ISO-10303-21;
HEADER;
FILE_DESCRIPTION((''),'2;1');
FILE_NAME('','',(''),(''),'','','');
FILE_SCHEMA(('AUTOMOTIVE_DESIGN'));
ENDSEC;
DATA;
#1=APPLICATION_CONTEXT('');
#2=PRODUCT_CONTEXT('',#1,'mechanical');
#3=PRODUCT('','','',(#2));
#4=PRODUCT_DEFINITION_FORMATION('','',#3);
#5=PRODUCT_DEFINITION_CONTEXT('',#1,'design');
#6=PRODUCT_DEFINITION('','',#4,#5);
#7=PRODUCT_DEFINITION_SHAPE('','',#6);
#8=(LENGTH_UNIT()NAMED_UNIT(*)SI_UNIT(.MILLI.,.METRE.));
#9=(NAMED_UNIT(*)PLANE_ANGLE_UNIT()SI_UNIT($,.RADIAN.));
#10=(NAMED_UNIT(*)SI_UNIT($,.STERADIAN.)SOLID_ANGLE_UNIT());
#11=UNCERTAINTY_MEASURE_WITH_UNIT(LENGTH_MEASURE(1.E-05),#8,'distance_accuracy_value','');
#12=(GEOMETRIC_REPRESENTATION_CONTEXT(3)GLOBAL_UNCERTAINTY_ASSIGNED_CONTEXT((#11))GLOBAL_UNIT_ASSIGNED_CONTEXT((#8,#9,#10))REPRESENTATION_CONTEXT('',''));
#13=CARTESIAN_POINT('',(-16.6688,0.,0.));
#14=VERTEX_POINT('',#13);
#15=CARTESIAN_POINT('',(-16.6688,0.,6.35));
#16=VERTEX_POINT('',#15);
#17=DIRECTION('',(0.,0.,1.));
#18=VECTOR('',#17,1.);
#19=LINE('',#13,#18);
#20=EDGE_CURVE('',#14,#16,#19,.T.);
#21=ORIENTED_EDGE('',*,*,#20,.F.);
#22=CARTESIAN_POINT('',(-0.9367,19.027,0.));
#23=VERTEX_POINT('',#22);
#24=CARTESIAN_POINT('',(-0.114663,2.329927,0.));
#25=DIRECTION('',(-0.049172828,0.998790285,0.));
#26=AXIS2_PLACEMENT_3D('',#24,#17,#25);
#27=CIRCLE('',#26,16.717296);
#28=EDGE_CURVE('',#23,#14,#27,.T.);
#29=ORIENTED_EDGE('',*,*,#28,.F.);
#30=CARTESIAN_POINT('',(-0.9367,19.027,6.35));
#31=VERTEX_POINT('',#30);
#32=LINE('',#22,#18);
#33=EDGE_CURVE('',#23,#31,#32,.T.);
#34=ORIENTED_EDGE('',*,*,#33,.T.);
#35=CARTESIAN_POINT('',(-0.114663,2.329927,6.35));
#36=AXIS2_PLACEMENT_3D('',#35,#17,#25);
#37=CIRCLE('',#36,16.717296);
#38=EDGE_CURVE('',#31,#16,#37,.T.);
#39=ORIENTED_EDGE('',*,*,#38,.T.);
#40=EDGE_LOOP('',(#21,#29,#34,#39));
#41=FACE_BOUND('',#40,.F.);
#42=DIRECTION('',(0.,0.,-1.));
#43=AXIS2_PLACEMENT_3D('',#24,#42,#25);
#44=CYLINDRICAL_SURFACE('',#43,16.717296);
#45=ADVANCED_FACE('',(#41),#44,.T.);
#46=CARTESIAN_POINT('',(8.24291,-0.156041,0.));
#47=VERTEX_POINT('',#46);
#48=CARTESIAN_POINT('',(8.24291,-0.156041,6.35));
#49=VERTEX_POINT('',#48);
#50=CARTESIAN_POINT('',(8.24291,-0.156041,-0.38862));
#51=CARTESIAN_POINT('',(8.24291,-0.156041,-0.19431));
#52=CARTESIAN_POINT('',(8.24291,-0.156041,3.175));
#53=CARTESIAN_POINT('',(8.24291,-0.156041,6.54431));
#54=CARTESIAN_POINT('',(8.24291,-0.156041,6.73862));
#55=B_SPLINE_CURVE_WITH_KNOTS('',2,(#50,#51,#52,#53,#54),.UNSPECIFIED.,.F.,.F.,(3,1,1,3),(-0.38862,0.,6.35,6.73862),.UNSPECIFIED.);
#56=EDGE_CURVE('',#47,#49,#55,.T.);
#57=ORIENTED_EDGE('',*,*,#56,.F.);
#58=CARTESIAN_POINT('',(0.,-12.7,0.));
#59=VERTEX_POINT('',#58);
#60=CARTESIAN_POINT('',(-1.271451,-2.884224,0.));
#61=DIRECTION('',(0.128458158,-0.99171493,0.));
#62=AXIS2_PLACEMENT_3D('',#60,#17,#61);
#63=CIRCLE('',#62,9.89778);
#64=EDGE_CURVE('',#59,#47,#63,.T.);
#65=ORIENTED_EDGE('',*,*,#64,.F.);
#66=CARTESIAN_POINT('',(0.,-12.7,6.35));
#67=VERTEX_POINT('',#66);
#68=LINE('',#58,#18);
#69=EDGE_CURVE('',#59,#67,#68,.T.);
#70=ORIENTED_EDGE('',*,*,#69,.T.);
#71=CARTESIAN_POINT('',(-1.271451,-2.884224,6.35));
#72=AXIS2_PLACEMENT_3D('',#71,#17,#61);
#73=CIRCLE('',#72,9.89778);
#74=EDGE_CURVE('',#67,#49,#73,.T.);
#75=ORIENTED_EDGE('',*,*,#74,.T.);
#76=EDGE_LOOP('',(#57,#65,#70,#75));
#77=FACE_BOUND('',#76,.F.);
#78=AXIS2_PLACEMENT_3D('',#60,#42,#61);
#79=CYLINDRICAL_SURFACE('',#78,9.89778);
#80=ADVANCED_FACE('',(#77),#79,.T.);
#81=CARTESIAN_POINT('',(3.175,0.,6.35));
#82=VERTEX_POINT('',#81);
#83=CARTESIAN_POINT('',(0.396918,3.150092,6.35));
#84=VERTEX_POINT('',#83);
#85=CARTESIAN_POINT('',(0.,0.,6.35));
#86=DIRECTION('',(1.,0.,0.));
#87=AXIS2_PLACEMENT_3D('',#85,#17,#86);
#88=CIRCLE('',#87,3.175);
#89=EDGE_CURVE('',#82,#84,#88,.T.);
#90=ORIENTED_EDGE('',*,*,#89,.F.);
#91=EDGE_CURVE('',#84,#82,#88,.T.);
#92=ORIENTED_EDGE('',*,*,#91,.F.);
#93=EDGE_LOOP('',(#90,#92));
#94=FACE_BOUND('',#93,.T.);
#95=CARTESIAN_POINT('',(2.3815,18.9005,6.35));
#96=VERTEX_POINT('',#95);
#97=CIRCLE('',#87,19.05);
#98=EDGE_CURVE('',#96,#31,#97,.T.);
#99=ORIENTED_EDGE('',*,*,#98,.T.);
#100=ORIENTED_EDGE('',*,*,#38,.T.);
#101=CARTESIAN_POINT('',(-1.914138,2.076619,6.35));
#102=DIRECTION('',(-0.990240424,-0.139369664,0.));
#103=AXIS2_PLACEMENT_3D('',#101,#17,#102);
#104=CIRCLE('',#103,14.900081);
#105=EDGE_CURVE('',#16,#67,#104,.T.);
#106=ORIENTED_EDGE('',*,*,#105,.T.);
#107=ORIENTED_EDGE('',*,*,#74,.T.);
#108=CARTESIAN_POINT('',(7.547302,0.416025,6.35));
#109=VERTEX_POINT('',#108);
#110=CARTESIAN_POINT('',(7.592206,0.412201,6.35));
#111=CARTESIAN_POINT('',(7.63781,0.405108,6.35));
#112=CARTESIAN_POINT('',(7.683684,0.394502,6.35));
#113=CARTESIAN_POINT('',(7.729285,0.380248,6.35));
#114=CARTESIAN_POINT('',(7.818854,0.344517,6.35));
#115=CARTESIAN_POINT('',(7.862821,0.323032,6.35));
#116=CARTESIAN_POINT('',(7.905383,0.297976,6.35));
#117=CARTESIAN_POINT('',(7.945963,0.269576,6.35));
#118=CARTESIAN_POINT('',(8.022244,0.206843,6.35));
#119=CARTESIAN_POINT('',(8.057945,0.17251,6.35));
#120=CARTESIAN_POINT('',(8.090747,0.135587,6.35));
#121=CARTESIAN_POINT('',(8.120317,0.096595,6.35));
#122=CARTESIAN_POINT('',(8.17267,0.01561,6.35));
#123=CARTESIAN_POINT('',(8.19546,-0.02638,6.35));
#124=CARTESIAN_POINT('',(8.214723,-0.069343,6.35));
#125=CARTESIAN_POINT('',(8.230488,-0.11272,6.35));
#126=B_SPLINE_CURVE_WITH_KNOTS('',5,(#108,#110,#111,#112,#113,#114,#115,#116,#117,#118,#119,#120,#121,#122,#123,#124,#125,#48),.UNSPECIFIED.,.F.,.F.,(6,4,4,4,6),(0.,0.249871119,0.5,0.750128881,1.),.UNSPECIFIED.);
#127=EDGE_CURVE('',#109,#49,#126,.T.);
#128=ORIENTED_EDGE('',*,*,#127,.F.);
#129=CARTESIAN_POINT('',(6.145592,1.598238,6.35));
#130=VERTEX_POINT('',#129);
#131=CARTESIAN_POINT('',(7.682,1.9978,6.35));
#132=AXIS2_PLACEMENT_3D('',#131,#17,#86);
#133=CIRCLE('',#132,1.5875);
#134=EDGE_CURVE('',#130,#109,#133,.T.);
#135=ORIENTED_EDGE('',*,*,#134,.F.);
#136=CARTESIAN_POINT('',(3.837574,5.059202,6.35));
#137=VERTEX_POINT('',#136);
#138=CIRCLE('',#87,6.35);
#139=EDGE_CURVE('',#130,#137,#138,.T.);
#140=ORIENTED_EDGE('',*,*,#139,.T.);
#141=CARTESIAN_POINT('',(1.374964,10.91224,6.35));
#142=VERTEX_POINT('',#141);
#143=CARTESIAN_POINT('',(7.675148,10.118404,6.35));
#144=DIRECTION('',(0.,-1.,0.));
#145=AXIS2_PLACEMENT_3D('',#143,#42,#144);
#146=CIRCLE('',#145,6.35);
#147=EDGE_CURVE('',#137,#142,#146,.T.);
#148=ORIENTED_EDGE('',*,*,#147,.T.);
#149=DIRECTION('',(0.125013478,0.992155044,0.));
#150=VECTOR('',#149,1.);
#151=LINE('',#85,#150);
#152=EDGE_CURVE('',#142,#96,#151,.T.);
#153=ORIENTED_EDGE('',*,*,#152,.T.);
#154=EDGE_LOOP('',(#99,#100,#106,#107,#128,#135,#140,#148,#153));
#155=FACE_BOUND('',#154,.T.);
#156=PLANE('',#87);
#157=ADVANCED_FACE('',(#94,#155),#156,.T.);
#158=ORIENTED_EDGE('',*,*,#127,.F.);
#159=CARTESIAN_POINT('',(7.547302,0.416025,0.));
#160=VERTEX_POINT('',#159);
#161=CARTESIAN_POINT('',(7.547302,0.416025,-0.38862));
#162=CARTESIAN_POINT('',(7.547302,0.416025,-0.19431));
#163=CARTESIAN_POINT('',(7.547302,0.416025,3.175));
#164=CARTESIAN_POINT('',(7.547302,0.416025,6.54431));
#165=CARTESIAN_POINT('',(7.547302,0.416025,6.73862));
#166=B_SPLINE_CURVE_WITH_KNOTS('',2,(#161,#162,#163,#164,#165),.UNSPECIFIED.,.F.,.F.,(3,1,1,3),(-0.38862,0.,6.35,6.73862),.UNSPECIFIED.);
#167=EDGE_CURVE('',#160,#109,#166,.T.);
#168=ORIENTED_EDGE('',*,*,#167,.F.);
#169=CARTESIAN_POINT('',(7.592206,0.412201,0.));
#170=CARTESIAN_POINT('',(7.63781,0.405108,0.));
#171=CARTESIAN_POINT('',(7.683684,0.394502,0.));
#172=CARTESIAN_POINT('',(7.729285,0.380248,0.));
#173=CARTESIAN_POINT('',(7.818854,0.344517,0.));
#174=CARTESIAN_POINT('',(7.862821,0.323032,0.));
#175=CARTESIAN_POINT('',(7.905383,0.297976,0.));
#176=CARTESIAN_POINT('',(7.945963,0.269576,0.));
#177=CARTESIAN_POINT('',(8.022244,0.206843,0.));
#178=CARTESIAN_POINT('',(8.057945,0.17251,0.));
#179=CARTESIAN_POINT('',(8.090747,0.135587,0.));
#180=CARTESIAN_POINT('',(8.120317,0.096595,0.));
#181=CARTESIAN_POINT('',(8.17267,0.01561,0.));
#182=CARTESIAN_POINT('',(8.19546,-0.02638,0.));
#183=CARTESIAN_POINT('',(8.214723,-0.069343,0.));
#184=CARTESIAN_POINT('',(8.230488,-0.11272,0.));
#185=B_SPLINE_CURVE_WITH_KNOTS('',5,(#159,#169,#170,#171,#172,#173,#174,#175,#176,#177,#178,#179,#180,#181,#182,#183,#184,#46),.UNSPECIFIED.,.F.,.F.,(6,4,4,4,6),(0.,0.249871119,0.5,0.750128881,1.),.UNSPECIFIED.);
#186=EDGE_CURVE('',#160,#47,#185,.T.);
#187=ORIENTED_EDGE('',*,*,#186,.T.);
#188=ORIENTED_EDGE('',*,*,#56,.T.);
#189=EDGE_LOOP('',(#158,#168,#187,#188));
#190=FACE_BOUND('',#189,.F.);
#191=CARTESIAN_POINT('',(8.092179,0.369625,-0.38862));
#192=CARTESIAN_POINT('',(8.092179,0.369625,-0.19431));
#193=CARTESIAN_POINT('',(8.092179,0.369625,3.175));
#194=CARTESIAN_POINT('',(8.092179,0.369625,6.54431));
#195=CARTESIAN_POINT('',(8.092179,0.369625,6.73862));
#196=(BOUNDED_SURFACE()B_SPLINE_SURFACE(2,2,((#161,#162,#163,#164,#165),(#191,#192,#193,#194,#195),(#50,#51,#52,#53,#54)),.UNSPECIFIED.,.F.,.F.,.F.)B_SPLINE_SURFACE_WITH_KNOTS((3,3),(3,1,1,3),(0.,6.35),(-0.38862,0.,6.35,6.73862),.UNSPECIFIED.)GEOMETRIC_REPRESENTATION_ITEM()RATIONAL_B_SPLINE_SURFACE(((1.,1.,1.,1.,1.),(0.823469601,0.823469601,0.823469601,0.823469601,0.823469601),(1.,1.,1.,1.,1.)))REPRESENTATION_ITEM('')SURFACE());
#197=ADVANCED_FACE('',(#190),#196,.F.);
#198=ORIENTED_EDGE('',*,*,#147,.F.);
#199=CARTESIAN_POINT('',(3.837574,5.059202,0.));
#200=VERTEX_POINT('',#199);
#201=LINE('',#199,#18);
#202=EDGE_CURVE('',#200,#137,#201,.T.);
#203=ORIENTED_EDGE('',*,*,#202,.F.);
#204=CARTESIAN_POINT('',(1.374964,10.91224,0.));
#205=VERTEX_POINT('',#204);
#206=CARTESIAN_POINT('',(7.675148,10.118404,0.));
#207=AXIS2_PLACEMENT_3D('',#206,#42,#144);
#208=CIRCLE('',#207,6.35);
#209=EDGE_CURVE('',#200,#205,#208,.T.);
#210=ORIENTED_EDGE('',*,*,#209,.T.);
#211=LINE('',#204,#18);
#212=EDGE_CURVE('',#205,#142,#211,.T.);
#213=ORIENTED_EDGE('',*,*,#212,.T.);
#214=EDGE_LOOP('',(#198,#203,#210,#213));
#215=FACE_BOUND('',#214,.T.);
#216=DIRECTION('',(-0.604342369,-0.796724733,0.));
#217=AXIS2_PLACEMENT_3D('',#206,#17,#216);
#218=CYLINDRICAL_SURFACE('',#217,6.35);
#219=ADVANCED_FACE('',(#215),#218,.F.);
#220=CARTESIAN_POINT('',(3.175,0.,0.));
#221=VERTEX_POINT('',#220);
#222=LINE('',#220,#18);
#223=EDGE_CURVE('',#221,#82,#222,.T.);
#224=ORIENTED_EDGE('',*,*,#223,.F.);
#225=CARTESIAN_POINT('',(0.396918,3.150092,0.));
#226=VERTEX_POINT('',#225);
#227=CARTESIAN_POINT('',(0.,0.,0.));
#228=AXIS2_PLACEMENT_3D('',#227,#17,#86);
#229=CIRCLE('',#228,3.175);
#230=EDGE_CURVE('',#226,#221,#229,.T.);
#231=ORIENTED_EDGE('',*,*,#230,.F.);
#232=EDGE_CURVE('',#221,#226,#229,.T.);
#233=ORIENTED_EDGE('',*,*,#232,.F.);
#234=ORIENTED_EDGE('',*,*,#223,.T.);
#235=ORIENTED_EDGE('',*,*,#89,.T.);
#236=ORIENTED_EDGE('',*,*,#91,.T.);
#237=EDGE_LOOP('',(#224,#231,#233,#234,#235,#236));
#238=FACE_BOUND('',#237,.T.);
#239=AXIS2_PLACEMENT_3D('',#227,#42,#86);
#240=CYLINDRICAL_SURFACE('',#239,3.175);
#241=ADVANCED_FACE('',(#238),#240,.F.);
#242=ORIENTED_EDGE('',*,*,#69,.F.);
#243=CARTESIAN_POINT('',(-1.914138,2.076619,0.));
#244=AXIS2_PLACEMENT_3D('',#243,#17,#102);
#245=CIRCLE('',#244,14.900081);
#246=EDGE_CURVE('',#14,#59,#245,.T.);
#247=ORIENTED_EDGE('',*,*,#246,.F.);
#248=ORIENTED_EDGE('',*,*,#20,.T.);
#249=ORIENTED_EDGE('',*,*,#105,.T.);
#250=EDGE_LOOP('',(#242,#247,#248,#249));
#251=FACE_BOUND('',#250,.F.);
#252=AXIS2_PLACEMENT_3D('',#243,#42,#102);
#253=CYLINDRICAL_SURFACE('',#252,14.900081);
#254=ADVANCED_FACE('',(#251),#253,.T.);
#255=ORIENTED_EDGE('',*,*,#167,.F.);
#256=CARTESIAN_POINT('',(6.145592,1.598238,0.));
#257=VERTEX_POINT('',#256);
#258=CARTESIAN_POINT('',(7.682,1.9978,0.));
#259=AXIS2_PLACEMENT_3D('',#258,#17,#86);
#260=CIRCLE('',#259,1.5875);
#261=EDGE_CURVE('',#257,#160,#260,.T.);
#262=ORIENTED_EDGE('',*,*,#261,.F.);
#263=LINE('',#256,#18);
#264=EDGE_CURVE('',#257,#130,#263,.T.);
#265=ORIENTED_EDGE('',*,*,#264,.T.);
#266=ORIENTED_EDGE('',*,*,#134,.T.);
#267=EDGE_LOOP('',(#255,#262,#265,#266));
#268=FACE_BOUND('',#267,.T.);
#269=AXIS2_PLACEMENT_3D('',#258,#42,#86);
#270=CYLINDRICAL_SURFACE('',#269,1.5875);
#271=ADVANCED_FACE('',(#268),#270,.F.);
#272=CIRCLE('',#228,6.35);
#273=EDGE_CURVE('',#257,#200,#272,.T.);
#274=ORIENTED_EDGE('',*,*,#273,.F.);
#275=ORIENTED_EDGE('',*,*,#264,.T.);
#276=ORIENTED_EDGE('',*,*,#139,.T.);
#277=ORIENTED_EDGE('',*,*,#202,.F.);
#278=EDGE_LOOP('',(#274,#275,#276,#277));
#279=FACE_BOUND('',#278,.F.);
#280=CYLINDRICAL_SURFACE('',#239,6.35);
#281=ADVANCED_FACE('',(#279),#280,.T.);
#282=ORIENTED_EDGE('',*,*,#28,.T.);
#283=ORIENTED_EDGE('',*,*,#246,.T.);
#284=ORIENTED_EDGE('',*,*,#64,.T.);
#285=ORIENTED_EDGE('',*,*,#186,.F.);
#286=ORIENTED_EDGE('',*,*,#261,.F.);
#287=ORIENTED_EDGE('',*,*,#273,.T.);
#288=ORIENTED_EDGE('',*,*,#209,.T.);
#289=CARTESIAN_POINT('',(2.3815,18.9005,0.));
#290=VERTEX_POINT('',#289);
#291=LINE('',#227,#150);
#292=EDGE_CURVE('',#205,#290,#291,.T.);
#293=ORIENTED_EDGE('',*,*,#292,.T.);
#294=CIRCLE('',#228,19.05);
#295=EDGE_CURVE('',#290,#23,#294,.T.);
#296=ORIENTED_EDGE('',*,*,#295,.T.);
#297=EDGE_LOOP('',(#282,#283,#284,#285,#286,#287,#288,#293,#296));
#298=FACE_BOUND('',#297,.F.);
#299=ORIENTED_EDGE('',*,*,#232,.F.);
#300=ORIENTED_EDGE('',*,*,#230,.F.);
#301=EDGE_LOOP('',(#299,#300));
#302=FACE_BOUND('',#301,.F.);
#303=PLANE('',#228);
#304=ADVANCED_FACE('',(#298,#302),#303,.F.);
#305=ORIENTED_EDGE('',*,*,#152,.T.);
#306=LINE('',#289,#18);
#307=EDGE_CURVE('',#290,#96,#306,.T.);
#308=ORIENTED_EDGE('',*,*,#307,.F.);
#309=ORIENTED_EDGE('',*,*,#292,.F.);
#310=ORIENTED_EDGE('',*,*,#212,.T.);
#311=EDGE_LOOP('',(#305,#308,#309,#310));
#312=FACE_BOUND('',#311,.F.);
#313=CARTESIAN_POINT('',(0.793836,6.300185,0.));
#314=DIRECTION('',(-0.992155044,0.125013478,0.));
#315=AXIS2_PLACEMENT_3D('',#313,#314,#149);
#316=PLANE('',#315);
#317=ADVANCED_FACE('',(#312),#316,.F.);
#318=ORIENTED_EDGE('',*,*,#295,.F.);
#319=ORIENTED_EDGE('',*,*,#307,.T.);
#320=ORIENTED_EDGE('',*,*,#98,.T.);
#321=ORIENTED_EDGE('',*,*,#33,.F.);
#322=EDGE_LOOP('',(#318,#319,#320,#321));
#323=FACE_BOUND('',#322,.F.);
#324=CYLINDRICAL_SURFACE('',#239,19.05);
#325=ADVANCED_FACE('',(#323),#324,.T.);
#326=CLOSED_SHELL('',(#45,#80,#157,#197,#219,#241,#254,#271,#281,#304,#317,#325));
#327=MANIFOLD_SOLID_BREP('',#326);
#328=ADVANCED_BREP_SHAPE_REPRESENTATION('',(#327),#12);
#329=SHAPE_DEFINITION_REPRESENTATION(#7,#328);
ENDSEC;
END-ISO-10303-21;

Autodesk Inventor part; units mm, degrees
ref_plane "YZ Plane" through (0, 0, 0) normal (1, 0, 0) x (0, 1, 0)
ref_plane "XZ Plane" through (0, 0, 0) normal (0, 1, 0) x (-1, 0, 0)
ref_plane "XY Plane" through (0, 0, 0) normal (0, 0, 1) x (1, 0, 0)
sketch "Sketch1" plane through (0, 0, 0) normal (0, 0, 1) x (1, 0, 0)
  circle A0 centre (0, 0) radius 3.175
  circle A1 centre (0, 0) radius 19.05
  circle A2 centre (40.4812, 19.05) radius 38.1 construction
  line L0 (2.3815, 18.9005) -> (40.4812, 19.05) construction
  circle A3 centre (0, 0) radius 6.35
  circle A4 centre (0, 0) radius 7.9375 construction
  line L1 (0, 0) -> (2.3815, 18.9005)
  line L2 (0, 0) -> (-0.9367, 19.027) construction
  line L3 (40.4812, 19.05) -> (6.35, 0) construction
  line L4 (0, 0) -> (7.9375, 0) construction
  circle A5 centre (0, 0) radius 12.7 construction
  circle A6 centre (0, 0) radius 16.6688 construction
  arc A7 (0, -12.7) -> (7.8908, 0.86) centre (-1.2714, -2.8843) ccw
  line L5 (0, 0) -> (0, -12.7) construction
  line L6 (0, 0) -> (-19.05, 0) construction
  arc A8 (-16.6688, 0) -> (0, -12.7) centre (-1.914, 2.0767) ccw
  arc A9 (-0.9367, 19.027) -> (-16.6688, 0) centre (-0.1147, 2.33) ccw
  circle A10 centre (7.682, 1.9978) radius 1.5875
  line L7 (7.8908, 0.86) -> (9.2192, 1.6014)
  point P0 (0.7938, 6.3002)
  point P1 (7.2124, 0.4813)
  point P2 (6.1456, 1.5983)
  point P3 (8.0468, 0.4528)
  dimension "d5" = 12.7
  dimension "d15" = 25.4
  dimension "d16" = 33.3375
  dimension "d0" = 6.35
  dimension "d1" = 38.1
  dimension "d2" = 76.2
  dimension "d6" = 15.875
  dimension "d11" = 19.05
  dimension "d12" = 40.4813
  dimension "d13" = 10
  dimension "d14" = 28.943
  dimension "d20" = 3.175
extrude "Extrusion1" add sketch "Sketch1" along normal blind 6.35 contours A3 | A3 A10 A7 A8 A9 A1 L1 picked at (-2.1715, 14.5665)
fillet "Fillet1" radius 6.35 1 edges at (0.7938, 6.3002, 3.175)
fillet "Fillet3" radius 0.7937 1 edges at (8.0468, 0.4528, 3.175)
properties part number "Snail V2" material "UHMW, White"
